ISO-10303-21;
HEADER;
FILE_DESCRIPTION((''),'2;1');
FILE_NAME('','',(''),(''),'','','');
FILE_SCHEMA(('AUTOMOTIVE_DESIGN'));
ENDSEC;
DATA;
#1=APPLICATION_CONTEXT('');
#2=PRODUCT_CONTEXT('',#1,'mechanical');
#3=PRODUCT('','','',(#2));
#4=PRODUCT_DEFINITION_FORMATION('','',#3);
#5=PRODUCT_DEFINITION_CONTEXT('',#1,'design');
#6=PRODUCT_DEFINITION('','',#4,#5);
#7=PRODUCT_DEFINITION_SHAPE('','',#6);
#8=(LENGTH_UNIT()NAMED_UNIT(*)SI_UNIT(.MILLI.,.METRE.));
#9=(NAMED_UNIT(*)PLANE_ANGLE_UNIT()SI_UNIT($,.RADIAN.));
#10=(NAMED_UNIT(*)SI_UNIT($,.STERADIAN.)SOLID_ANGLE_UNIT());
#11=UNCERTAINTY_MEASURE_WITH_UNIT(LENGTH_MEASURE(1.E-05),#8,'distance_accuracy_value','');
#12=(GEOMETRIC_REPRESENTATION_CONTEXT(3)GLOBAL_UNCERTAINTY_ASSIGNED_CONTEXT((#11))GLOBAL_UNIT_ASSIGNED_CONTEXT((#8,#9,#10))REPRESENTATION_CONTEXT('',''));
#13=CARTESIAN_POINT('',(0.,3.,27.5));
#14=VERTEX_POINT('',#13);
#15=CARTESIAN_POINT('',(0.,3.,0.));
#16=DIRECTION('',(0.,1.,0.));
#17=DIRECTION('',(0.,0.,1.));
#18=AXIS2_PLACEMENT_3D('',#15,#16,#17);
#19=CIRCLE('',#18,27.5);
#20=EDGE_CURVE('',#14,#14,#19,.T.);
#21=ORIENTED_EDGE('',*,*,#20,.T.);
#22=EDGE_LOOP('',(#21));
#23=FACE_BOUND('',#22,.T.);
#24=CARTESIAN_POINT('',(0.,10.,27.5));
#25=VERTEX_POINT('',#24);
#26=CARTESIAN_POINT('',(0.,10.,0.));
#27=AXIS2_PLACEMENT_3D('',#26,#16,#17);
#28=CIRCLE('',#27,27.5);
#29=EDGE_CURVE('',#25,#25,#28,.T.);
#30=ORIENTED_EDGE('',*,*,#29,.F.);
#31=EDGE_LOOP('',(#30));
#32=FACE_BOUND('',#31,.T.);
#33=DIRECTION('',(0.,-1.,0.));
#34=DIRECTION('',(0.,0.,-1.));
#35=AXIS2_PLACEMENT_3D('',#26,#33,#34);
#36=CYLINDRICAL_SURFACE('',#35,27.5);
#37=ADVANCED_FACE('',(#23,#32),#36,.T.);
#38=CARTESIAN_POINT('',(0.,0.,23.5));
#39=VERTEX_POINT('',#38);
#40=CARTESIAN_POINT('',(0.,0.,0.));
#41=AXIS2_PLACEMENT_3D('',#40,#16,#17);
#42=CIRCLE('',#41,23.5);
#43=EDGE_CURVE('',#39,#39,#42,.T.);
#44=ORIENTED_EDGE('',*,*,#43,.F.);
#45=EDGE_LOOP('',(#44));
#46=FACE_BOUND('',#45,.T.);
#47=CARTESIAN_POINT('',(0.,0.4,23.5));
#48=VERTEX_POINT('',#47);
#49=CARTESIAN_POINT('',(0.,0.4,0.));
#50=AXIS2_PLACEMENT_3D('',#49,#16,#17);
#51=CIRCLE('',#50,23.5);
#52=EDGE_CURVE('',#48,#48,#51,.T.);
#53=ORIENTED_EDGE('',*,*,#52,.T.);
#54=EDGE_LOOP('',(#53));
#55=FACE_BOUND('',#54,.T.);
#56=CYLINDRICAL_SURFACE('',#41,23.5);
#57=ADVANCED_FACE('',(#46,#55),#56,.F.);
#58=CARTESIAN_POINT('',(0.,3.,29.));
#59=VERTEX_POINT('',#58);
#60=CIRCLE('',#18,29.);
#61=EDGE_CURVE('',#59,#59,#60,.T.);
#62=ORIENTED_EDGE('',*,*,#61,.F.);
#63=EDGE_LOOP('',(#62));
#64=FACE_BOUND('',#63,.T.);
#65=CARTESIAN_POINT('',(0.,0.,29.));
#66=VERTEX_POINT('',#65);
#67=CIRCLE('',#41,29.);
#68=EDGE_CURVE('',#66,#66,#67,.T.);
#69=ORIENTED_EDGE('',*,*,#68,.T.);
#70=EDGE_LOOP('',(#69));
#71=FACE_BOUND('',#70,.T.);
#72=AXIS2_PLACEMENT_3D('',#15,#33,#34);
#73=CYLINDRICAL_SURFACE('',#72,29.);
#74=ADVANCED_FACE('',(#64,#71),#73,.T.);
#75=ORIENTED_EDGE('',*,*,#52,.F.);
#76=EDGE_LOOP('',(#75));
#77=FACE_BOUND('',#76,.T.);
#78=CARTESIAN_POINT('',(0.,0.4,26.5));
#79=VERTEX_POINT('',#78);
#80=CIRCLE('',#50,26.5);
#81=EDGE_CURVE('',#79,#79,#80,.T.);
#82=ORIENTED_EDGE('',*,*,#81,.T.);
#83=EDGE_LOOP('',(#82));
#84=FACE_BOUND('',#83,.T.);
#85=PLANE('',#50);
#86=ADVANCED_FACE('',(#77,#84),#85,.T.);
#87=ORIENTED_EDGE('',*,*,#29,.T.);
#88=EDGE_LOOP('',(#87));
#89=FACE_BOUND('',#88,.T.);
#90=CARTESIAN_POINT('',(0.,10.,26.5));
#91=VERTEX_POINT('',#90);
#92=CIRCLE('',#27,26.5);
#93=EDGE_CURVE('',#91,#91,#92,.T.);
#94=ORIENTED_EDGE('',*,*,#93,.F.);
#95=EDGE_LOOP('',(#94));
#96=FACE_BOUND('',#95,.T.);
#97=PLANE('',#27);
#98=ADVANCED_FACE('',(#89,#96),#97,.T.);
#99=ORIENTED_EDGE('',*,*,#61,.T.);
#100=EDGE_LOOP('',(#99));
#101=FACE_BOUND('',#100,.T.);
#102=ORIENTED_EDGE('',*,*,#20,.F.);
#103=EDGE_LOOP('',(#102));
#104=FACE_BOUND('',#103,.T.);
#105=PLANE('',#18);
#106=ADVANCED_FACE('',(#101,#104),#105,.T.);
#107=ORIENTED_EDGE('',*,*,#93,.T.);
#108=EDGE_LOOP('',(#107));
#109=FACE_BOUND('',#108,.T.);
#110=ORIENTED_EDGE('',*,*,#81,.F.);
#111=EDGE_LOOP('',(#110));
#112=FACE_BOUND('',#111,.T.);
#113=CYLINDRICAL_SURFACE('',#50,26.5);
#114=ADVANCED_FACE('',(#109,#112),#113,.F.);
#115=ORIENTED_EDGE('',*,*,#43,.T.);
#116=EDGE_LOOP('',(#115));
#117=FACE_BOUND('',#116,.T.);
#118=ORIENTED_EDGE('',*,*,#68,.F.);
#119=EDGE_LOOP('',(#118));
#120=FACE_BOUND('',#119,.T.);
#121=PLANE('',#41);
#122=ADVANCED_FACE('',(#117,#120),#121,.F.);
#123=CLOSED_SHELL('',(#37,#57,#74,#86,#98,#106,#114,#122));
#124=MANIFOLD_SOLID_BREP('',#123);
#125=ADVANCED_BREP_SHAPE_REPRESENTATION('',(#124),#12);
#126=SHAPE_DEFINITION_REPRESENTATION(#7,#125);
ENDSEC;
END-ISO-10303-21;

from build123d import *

# Parameters (mm, degrees)
SKETCH1_R           = 27.5
BOSS_EXTRUDE1_DEPTH = 10
SKETCH2_R           = 29
SKETCH2_R_2         = 24
EXTRUDE_THIN1_DEPTH = 3
SKETCH3_R           = 26.5
CUT_EXTRUDE1_DEPTH  = 9.6
SKETCH4_R           = 23.5
CUT_EXTRUDE2_DEPTH  = 43.12077872


with BuildPart() as part:
    # Sketch1 → Boss-Extrude1 (new body)
    with BuildSketch(Plane(origin=(0, 0, 0), x_dir=(1, 0, 0), z_dir=(0, 1, 0))):
        with Locations(Location((0, 0, 0), (0, 0, 270))):
            Circle(SKETCH1_R)
    extrude(amount=BOSS_EXTRUDE1_DEPTH)

    # Sketch2 → Extrude-Thin1 (add)
    with BuildSketch(Plane(origin=(0, 0, 0), x_dir=(1, 0, 0), z_dir=(0, 1, 0))):
        Circle(SKETCH2_R)
        Circle(SKETCH2_R_2, mode=Mode.SUBTRACT)
    extrude(amount=EXTRUDE_THIN1_DEPTH)

    # Sketch3 → Cut-Extrude1 (cut)
    with BuildSketch(Plane(origin=(0, 10, 0), x_dir=(1, 0, 0), z_dir=(0, 1, 0))):
        with Locations(Location((0, 0, 0), (0, 0, 270))):
            Circle(SKETCH3_R)
    extrude(amount=-CUT_EXTRUDE1_DEPTH, mode=Mode.SUBTRACT)

    # Sketch4 → Cut-Extrude2 (cut, through all)
    with BuildSketch(Plane(origin=(0, 0.4, 0), x_dir=(1, 0, 0), z_dir=(0, 1, 0))):
        with Locations(Location((0, 0, 0), (0, 0, 270))):
            Circle(SKETCH4_R)
    extrude(amount=-CUT_EXTRUDE2_DEPTH, mode=Mode.SUBTRACT)


solid = part.part
